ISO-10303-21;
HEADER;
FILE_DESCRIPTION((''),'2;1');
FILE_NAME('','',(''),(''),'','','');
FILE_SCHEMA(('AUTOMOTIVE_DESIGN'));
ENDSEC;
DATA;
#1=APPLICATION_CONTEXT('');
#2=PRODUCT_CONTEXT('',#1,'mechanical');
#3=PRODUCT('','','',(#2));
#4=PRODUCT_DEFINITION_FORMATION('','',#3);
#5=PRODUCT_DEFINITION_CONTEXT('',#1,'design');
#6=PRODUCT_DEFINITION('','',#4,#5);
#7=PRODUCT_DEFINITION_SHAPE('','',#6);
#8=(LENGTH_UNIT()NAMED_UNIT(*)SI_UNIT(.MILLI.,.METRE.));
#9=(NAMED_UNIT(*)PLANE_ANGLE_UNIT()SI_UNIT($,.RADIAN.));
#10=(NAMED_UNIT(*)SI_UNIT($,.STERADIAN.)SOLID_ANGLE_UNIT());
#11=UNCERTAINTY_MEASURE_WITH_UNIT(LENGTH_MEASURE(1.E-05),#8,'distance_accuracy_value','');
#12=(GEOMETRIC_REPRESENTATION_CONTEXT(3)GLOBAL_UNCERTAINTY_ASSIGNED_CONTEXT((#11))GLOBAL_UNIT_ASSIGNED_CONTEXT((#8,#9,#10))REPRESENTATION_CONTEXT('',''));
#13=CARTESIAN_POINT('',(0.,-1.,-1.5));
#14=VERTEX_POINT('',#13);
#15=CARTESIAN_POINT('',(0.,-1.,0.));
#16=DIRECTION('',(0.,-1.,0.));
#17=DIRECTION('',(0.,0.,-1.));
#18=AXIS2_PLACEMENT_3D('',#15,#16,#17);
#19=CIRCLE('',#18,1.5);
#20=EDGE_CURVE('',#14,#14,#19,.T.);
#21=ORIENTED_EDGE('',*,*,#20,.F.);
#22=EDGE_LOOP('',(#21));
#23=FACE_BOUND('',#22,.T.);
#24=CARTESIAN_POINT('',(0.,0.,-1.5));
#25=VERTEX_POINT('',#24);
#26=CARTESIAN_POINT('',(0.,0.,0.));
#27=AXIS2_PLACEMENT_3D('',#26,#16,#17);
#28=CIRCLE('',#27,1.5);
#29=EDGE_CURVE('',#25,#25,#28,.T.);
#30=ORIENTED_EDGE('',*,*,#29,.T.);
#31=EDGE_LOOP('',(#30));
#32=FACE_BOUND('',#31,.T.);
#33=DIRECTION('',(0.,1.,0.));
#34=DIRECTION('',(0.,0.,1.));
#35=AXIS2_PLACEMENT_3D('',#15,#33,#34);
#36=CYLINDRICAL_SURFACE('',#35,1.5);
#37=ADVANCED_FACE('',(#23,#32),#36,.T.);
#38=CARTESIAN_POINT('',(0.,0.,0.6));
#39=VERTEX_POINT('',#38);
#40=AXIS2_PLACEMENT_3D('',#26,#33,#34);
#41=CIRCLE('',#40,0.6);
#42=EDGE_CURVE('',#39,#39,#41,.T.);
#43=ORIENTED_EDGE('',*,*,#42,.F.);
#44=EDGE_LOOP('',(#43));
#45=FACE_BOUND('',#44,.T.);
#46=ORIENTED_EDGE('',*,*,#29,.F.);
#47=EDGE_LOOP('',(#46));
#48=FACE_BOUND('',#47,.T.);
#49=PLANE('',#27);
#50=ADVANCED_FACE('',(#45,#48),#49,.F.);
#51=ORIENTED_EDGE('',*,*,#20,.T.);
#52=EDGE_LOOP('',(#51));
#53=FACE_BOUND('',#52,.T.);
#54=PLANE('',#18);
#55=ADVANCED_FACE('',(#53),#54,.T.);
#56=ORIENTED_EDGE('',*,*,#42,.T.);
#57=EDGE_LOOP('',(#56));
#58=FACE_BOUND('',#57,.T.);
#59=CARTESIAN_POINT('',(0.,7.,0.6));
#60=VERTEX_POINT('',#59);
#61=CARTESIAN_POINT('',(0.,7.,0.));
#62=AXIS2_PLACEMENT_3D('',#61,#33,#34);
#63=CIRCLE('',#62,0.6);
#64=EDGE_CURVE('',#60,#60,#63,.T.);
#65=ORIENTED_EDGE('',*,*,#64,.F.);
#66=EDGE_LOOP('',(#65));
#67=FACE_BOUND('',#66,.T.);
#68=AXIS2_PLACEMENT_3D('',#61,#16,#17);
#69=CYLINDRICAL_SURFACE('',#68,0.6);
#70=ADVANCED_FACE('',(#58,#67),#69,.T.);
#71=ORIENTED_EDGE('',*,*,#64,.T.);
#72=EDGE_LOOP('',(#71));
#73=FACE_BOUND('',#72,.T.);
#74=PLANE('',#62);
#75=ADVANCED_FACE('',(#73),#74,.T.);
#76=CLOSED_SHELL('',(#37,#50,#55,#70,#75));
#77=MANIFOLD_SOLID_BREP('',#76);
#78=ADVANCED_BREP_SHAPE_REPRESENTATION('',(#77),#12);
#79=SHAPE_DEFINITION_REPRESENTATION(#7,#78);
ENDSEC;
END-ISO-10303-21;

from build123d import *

# Parameters (mm, degrees)
SKETCH1_R           = 0.6
BOSS_EXTRUDE1_DEPTH = 7
SKETCH2_R           = 1.5
BOSS_EXTRUDE2_DEPTH = 1


with BuildPart() as part:
    # Sketch1 → Boss-Extrude1 (new body)
    with BuildSketch(Plane(origin=(0, 0, 0), x_dir=(1, 0, 0), z_dir=(0, 1, 0))):
        with Locations(Location((0, 0, 0), (0, 0, 270))):
            Circle(SKETCH1_R)
    extrude(amount=BOSS_EXTRUDE1_DEPTH)

    # Sketch2 → Boss-Extrude2 (add)
    with BuildSketch(Plane.XZ):
        with Locations(Location((0, 0, 0), (0, 0, 270))):
            Circle(SKETCH2_R)
    extrude(amount=BOSS_EXTRUDE2_DEPTH)


solid = part.part
